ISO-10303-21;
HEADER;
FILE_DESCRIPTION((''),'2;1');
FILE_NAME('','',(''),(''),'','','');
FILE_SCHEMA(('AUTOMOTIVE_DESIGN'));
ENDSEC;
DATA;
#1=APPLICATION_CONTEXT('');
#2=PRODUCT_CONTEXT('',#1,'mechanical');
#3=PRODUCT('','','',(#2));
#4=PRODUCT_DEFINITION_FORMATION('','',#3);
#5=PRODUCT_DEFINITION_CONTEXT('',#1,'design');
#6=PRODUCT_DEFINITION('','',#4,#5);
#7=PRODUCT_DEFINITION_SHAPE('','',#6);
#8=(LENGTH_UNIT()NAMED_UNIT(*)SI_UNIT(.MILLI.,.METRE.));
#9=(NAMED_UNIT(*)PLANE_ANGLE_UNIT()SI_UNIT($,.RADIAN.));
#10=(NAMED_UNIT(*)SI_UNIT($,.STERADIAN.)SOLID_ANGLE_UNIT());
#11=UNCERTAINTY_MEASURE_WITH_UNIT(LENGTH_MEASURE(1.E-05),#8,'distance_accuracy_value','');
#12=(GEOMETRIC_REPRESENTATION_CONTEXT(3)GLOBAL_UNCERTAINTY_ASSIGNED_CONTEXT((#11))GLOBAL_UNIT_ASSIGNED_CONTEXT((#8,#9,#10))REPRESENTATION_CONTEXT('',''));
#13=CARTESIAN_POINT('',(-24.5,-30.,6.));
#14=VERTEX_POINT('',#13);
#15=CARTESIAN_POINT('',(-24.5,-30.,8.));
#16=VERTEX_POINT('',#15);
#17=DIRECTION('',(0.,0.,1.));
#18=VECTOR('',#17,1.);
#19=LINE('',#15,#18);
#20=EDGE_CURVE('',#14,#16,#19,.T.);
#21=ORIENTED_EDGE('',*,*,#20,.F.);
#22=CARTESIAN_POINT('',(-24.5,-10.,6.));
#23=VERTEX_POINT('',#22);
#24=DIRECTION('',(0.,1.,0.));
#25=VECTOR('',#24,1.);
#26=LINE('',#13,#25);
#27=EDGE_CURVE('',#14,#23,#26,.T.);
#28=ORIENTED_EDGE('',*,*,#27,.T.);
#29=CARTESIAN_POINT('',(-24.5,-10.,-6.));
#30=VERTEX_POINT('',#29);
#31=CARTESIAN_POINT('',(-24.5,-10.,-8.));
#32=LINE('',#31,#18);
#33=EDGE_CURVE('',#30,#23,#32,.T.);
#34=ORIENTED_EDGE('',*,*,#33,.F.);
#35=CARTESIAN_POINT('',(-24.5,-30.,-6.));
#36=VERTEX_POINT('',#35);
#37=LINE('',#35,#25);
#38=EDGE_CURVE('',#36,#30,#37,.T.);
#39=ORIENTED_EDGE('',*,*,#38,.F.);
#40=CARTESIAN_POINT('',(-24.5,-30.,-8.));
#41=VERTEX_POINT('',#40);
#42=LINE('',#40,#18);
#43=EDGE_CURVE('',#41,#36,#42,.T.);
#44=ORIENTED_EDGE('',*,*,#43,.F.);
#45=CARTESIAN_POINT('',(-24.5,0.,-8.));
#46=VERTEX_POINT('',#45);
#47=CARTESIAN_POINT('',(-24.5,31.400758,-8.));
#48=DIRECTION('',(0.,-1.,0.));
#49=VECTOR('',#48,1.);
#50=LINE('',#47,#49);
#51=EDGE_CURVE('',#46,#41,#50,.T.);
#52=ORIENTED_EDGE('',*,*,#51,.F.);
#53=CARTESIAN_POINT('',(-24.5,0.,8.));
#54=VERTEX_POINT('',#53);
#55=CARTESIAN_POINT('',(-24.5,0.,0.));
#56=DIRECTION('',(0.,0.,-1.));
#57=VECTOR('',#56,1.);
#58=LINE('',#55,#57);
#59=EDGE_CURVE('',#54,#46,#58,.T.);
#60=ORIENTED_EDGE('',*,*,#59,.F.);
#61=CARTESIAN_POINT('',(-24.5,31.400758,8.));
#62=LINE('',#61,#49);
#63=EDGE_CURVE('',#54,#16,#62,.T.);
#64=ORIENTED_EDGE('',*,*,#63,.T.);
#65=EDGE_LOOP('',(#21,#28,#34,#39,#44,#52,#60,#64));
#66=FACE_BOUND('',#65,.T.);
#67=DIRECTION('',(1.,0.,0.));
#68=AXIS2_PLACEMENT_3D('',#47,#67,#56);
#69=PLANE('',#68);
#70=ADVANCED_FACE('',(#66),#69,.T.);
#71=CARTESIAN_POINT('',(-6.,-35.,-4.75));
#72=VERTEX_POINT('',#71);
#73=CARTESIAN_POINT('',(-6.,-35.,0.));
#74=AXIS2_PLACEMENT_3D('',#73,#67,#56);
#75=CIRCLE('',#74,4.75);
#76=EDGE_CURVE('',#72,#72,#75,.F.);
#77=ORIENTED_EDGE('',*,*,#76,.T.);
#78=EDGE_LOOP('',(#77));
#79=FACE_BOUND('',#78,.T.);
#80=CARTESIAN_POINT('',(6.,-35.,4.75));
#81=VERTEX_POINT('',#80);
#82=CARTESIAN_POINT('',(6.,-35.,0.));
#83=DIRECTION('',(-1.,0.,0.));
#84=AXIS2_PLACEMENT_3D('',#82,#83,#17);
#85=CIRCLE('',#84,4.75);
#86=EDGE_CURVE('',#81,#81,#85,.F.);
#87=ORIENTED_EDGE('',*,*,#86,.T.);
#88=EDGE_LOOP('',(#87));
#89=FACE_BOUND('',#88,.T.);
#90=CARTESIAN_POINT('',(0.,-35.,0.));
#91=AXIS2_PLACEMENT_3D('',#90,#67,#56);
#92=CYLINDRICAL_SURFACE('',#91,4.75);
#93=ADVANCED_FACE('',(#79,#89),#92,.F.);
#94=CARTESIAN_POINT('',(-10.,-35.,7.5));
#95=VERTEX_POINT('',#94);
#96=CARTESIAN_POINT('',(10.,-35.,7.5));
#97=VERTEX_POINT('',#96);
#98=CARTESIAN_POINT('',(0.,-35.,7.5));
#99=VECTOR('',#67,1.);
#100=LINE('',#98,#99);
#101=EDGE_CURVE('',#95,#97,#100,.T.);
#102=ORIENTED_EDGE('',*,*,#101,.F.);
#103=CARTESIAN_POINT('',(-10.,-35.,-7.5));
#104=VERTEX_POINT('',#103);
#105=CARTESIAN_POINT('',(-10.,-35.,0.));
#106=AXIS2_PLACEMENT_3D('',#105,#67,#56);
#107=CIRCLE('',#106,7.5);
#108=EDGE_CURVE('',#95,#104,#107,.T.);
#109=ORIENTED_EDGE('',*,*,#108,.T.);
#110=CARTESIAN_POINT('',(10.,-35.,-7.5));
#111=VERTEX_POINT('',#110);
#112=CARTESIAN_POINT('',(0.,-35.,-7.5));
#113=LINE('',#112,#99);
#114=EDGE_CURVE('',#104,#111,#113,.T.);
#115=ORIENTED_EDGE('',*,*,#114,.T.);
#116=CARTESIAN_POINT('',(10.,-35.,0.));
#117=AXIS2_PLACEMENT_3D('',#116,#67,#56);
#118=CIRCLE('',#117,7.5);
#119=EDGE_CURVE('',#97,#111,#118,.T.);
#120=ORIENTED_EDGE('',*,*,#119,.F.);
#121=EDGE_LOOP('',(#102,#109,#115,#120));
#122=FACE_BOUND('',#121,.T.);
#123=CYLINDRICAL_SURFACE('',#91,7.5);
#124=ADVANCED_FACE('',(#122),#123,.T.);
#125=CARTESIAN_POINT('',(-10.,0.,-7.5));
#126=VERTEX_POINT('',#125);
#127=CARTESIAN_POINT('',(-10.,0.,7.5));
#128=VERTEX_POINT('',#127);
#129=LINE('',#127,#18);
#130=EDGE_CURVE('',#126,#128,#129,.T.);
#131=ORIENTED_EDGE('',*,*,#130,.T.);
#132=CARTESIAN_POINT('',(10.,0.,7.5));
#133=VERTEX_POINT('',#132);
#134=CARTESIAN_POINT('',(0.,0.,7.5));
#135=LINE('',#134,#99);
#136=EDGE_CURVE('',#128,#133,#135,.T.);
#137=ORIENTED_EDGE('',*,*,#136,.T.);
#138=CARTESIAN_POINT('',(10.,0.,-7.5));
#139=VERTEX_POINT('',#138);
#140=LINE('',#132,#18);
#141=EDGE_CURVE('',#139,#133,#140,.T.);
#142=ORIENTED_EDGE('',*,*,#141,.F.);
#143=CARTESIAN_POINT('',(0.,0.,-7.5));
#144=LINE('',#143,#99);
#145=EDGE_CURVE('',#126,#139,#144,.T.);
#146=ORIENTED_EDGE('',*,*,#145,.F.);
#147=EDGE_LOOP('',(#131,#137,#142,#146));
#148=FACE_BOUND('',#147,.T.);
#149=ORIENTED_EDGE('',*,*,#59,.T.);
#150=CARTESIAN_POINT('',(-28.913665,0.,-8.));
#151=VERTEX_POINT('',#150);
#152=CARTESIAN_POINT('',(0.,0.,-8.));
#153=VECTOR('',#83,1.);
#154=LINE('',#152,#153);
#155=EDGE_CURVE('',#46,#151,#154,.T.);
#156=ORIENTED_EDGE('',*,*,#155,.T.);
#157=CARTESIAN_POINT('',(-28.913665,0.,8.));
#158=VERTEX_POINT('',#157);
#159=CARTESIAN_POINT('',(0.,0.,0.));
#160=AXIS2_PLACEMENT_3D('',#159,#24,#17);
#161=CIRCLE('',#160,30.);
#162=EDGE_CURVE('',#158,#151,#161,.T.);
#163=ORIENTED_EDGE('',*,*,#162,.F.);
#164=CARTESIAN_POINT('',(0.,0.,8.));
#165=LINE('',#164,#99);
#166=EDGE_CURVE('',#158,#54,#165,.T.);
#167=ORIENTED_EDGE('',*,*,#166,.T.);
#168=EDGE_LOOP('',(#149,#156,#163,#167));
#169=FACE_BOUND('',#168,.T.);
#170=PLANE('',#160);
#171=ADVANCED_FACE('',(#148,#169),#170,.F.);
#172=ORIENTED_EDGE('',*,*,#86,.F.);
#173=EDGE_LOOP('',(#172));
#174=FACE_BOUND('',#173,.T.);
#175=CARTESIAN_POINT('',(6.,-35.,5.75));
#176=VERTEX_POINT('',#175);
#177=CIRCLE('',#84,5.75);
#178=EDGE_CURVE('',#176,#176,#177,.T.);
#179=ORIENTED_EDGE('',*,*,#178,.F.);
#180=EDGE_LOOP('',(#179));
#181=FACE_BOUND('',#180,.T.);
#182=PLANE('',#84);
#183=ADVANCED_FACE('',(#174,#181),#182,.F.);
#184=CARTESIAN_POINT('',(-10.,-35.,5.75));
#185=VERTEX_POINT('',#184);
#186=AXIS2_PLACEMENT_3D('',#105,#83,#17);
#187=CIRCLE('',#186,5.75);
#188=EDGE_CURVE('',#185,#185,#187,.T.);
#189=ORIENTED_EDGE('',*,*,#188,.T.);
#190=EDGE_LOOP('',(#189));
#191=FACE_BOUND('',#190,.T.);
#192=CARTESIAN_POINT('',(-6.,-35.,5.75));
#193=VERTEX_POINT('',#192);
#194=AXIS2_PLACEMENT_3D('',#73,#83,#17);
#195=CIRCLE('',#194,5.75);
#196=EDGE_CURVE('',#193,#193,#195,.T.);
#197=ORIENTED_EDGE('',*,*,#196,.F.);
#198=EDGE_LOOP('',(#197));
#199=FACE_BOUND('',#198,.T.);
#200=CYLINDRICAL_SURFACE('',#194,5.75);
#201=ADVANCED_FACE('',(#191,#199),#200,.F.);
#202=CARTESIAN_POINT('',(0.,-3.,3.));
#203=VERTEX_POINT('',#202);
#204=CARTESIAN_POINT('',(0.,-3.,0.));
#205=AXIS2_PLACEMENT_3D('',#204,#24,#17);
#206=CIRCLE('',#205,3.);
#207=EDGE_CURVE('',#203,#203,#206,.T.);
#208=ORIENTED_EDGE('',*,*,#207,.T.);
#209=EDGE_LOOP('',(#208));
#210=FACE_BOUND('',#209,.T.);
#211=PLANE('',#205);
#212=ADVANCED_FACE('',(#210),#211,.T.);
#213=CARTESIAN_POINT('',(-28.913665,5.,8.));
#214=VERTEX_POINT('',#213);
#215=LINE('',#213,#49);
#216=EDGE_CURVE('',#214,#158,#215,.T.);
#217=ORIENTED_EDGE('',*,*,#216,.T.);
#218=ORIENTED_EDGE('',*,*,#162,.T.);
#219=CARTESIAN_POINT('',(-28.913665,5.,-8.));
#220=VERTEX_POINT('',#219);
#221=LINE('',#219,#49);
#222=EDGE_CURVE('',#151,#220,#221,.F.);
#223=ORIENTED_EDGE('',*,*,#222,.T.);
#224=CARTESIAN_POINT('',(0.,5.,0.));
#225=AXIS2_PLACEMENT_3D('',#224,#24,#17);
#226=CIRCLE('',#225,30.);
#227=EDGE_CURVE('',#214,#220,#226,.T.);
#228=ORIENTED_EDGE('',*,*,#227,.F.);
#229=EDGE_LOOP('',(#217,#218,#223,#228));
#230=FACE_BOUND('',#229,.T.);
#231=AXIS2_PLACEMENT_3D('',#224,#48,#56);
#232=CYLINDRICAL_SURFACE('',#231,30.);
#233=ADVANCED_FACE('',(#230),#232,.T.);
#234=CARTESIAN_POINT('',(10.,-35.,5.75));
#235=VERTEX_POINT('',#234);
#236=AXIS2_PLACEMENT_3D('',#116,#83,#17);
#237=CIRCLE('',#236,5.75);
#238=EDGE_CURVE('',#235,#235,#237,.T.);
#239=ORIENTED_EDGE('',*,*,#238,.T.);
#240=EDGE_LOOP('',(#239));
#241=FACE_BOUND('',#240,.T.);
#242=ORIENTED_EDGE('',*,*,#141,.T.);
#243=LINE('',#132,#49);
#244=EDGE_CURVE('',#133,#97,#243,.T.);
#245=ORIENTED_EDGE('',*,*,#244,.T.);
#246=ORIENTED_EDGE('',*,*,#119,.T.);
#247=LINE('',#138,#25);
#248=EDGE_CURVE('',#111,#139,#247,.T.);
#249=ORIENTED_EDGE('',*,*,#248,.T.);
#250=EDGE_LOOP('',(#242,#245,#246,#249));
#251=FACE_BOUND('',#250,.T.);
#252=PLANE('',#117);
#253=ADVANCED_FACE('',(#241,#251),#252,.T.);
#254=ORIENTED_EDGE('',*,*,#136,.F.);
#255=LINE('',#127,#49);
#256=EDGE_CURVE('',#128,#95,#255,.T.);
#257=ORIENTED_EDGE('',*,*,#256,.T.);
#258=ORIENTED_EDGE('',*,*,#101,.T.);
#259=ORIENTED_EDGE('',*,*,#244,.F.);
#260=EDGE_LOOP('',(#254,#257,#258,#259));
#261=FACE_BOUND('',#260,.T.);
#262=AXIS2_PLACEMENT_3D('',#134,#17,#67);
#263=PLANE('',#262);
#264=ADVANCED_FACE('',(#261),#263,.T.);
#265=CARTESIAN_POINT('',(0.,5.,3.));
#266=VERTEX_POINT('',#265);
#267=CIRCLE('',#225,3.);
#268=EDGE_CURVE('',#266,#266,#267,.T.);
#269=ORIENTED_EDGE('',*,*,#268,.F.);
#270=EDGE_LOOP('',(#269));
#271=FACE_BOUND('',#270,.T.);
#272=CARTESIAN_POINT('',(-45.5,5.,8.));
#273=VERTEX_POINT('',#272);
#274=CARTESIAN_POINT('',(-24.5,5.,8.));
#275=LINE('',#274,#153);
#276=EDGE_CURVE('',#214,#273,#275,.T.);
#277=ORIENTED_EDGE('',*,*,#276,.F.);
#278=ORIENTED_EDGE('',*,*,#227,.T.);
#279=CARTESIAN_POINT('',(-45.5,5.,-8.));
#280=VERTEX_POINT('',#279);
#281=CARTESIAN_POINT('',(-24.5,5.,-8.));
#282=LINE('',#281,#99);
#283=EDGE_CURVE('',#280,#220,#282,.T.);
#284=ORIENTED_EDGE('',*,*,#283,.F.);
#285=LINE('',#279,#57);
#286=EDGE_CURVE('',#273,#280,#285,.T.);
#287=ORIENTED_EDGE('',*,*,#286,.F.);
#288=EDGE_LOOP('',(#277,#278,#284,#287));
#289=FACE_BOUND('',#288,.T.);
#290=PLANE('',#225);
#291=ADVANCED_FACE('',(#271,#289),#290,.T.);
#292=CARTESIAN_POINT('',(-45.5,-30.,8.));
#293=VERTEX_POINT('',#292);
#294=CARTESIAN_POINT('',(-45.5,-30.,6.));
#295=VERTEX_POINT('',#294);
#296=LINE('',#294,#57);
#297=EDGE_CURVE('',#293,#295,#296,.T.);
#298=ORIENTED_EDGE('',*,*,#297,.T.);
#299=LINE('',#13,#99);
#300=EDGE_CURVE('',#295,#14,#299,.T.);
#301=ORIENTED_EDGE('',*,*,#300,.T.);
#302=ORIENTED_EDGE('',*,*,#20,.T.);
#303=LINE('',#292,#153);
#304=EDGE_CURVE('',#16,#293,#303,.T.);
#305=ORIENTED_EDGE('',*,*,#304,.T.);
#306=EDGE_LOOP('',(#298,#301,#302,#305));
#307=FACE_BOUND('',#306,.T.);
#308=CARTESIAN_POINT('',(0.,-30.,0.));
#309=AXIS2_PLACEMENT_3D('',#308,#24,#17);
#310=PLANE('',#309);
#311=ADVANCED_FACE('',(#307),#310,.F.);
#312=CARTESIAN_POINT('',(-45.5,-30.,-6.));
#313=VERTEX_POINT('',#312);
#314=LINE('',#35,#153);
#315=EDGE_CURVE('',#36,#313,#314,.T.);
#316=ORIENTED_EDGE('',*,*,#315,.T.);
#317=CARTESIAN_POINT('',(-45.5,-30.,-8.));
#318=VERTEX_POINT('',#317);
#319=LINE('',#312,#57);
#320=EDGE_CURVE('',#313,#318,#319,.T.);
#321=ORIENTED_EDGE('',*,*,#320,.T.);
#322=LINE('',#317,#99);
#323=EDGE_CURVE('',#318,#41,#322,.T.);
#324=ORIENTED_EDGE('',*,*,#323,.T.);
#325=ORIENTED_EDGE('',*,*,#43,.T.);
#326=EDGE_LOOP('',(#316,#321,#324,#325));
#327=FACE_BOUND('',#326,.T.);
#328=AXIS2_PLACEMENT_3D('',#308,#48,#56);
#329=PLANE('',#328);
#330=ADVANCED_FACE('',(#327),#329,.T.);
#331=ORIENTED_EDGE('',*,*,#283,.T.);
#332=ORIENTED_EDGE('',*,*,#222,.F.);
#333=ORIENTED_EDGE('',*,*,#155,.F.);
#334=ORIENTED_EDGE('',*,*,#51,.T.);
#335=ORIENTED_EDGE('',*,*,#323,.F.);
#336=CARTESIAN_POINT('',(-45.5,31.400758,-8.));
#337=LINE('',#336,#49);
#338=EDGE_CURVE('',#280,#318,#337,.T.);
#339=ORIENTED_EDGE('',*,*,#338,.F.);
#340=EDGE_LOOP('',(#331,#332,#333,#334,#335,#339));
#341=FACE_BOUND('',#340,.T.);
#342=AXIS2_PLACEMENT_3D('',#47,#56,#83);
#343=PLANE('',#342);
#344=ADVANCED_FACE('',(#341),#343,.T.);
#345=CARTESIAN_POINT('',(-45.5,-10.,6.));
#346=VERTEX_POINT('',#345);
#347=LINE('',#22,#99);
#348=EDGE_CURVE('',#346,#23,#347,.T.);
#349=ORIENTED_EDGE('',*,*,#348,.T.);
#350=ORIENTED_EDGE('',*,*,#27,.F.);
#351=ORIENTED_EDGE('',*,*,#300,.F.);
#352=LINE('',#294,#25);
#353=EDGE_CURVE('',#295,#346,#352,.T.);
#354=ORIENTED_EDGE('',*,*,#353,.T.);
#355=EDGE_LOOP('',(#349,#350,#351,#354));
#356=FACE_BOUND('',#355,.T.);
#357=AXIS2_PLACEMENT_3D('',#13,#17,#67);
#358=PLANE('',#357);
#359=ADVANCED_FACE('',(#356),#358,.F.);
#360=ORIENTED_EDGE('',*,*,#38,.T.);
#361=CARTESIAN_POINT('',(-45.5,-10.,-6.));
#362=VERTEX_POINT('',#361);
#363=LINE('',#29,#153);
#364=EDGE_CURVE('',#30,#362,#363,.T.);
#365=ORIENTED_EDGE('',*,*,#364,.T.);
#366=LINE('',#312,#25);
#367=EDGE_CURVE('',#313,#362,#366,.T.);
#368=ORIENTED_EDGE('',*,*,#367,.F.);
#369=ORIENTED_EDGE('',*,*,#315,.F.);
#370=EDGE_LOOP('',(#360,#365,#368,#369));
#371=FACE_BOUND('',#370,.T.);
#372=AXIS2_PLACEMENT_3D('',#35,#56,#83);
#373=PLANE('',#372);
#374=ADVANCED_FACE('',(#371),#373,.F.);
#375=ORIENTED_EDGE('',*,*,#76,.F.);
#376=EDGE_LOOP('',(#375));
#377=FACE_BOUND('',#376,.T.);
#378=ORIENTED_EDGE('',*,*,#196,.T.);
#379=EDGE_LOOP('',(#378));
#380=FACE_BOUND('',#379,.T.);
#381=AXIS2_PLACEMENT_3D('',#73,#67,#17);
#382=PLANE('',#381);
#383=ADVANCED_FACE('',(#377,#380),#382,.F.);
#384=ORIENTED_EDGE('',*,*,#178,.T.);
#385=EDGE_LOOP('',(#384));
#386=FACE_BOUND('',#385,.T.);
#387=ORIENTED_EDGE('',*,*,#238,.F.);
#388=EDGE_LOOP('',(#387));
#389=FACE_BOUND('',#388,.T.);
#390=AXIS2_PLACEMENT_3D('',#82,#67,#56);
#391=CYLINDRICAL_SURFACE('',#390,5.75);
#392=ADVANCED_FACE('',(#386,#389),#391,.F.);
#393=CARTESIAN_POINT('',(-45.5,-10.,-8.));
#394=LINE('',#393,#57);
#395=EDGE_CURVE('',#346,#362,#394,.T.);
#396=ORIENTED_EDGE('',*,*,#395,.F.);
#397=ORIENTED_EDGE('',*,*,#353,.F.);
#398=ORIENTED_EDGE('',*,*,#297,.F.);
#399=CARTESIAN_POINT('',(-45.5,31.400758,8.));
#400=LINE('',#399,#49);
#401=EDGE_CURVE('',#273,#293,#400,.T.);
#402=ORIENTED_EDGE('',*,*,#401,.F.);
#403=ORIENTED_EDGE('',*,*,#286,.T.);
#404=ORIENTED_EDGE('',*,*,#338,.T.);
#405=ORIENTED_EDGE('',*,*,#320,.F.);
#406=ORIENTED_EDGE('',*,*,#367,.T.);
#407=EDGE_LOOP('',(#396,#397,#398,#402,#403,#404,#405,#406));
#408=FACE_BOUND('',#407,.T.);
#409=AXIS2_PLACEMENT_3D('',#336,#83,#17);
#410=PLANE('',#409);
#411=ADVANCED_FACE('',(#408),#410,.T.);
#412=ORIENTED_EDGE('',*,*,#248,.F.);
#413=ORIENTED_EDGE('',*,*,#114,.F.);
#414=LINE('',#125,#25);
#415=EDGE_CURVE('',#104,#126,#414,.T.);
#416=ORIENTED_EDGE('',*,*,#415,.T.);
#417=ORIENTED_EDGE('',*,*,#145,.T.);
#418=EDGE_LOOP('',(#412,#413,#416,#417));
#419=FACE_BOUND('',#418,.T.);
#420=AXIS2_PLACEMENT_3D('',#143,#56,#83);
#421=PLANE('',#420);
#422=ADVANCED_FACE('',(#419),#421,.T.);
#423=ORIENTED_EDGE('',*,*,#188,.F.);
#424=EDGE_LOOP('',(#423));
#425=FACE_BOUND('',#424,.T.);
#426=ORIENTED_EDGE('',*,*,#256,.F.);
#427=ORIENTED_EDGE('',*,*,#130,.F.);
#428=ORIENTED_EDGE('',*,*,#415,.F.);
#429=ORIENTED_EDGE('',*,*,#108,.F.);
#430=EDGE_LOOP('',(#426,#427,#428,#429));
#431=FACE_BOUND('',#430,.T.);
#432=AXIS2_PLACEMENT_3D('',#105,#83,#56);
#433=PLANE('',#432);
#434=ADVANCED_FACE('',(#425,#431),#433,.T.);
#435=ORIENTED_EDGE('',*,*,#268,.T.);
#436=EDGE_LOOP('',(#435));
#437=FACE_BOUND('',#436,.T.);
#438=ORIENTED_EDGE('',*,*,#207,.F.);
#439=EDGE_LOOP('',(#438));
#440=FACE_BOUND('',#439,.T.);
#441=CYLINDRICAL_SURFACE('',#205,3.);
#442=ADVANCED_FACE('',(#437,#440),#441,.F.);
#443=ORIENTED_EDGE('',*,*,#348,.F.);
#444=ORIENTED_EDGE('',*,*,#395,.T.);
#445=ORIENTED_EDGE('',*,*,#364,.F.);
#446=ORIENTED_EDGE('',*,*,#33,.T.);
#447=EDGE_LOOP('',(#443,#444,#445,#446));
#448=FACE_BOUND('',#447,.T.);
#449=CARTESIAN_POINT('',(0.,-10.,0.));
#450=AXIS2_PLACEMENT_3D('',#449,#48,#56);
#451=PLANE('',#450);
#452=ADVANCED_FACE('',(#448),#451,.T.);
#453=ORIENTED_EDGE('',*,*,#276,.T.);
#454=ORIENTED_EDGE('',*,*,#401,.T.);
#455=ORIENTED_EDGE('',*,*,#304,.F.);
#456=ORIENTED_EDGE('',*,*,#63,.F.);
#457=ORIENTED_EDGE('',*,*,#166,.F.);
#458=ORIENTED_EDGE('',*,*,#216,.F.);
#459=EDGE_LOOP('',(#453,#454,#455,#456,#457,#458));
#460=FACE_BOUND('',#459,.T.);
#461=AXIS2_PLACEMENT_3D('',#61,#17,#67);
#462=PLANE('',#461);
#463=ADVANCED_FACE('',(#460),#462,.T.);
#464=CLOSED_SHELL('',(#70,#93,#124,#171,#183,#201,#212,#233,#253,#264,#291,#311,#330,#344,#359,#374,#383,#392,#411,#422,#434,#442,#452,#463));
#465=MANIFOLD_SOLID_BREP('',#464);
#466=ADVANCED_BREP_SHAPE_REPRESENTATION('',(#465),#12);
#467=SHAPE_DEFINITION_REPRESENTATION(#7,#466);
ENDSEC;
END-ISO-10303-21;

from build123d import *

# Parameters (mm, degrees)
SKETCH1_R                       = 30
BOSS_EXTRUDE1_DEPTH             = 5
SKETCH8_R                       = 4.75
BOSS_EXTRUDE3_DEPTH             = 10
SKETCH9_R                       = 5.75
CUT_EXTRUDE3_DEPTH              = 4
SKETCH16_W                      = 21
SKETCH16_H                      = 16
BOSS_EXTRUDE7_DEPTH             = 10
BOSS_EXTRUDE7_DIRECTION_2_REACH = 62.052
SKETCH17_W                      = 21
SKETCH17_H                      = 2
BOSS_EXTRUDE8_DEPTH             = 20
SKETCH18_R                      = 3
CUT_EXTRUDE4_DEPTH              = 8


with BuildPart() as part:
    # Sketch1 → Boss-Extrude1 (new body)
    with BuildSketch(Plane(origin=(0, 0, 0), x_dir=(1, 0, 0), z_dir=(0, 1, 0))):
        with Locations(Location((0, 0, 0), (0, 0, 270))):
            Circle(SKETCH1_R)
    extrude(amount=BOSS_EXTRUDE1_DEPTH)

    # Sketch8 → Boss-Extrude3 (add)
    with BuildSketch(Plane(origin=(10, 0, 0), x_dir=(0, 0, -1), z_dir=(1, 0, 0))):
        with BuildLine():
            Line((-7.5, 0), (-7.5, -35))
            ThreePointArc((-7.5, -35), (0, -42.5), (7.5, -35))
            Line((7.5, -35), (7.5, 0))
            Line((7.5, 0), (-7.5, 0))
        make_face()
        with Locations((0, -35)):
            Circle(SKETCH8_R, mode=Mode.SUBTRACT)
    boss_extrude3 = extrude(amount=-BOSS_EXTRUDE3_DEPTH)

    # Sketch9 → Cut-Extrude3 (cut)
    with BuildSketch(Plane.ZY.offset(-10)):
        with Locations((0, -35)):
            Circle(SKETCH9_R)
    cut_extrude3 = extrude(amount=CUT_EXTRUDE3_DEPTH, mode=Mode.SUBTRACT)

    # Mirror1: Boss-Extrude3, Cut-Extrude3 across plane
    add(boss_extrude3.mirror(Plane(origin=(0, 0, 0), x_dir=(0, 0, 1), z_dir=(1, 0, 0))))
    add(cut_extrude3.mirror(Plane(origin=(0, 0, 0), x_dir=(0, 0, 1), z_dir=(1, 0, 0))), mode=Mode.SUBTRACT)

    # Sketch16 → Boss-Extrude7 (add)
    with BuildSketch(Plane(origin=(0, 0, 0), x_dir=(-1, 0, 0), z_dir=(0, -1, 0))):
        with Locations((35, 0)):
            Rectangle(SKETCH16_W, SKETCH16_H)
    extrude(amount=BOSS_EXTRUDE7_DEPTH)

    # Boss-Extrude7 direction 2: up to this face of the body (flat: up to its plane)
    boss_extrude7_direction_2_end = Plane(part.part.faces().sort_by_distance((0, 5, 0))[0])
    # Sketch16 → Boss-Extrude7 direction 2 (add, up to the picked face)
    with BuildSketch(Plane(origin=(0, 0, 0), x_dir=(-1, 0, 0), z_dir=(0, -1, 0)), mode=Mode.PRIVATE) as boss_extrude7_direction_2_sk1:
        with Locations((35, 0)):
            Rectangle(SKETCH16_W, SKETCH16_H)
    boss_extrude7_direction_2_tool1 = split(extrude(boss_extrude7_direction_2_sk1.sketch, amount=-BOSS_EXTRUDE7_DIRECTION_2_REACH, mode=Mode.PRIVATE), bisect_by=boss_extrude7_direction_2_end, keep=Keep.BOTH, mode=Mode.PRIVATE)
    add(boss_extrude7_direction_2_tool1.solids().sort_by(Axis((-35, 0, 0), (0, 1, 0)))[0])

    # Sketch17 → Boss-Extrude8 (add)
    with BuildSketch(Plane.XZ.offset(10)):
        with Locations((-35, 7)):
            Rectangle(SKETCH17_W, SKETCH17_H)
        with Locations((-35, -7)):
            Rectangle(SKETCH17_W, SKETCH17_H)
    extrude(amount=BOSS_EXTRUDE8_DEPTH)

    # Sketch18 → Cut-Extrude4 (cut)
    with BuildSketch(Plane(origin=(0, 5, 0), x_dir=(1, 0, 0), z_dir=(0, 1, 0))):
        with Locations(Location((0, 0, 0), (0, 0, 270))):
            Circle(SKETCH18_R)
    extrude(amount=-CUT_EXTRUDE4_DEPTH, mode=Mode.SUBTRACT)


solid = part.part
